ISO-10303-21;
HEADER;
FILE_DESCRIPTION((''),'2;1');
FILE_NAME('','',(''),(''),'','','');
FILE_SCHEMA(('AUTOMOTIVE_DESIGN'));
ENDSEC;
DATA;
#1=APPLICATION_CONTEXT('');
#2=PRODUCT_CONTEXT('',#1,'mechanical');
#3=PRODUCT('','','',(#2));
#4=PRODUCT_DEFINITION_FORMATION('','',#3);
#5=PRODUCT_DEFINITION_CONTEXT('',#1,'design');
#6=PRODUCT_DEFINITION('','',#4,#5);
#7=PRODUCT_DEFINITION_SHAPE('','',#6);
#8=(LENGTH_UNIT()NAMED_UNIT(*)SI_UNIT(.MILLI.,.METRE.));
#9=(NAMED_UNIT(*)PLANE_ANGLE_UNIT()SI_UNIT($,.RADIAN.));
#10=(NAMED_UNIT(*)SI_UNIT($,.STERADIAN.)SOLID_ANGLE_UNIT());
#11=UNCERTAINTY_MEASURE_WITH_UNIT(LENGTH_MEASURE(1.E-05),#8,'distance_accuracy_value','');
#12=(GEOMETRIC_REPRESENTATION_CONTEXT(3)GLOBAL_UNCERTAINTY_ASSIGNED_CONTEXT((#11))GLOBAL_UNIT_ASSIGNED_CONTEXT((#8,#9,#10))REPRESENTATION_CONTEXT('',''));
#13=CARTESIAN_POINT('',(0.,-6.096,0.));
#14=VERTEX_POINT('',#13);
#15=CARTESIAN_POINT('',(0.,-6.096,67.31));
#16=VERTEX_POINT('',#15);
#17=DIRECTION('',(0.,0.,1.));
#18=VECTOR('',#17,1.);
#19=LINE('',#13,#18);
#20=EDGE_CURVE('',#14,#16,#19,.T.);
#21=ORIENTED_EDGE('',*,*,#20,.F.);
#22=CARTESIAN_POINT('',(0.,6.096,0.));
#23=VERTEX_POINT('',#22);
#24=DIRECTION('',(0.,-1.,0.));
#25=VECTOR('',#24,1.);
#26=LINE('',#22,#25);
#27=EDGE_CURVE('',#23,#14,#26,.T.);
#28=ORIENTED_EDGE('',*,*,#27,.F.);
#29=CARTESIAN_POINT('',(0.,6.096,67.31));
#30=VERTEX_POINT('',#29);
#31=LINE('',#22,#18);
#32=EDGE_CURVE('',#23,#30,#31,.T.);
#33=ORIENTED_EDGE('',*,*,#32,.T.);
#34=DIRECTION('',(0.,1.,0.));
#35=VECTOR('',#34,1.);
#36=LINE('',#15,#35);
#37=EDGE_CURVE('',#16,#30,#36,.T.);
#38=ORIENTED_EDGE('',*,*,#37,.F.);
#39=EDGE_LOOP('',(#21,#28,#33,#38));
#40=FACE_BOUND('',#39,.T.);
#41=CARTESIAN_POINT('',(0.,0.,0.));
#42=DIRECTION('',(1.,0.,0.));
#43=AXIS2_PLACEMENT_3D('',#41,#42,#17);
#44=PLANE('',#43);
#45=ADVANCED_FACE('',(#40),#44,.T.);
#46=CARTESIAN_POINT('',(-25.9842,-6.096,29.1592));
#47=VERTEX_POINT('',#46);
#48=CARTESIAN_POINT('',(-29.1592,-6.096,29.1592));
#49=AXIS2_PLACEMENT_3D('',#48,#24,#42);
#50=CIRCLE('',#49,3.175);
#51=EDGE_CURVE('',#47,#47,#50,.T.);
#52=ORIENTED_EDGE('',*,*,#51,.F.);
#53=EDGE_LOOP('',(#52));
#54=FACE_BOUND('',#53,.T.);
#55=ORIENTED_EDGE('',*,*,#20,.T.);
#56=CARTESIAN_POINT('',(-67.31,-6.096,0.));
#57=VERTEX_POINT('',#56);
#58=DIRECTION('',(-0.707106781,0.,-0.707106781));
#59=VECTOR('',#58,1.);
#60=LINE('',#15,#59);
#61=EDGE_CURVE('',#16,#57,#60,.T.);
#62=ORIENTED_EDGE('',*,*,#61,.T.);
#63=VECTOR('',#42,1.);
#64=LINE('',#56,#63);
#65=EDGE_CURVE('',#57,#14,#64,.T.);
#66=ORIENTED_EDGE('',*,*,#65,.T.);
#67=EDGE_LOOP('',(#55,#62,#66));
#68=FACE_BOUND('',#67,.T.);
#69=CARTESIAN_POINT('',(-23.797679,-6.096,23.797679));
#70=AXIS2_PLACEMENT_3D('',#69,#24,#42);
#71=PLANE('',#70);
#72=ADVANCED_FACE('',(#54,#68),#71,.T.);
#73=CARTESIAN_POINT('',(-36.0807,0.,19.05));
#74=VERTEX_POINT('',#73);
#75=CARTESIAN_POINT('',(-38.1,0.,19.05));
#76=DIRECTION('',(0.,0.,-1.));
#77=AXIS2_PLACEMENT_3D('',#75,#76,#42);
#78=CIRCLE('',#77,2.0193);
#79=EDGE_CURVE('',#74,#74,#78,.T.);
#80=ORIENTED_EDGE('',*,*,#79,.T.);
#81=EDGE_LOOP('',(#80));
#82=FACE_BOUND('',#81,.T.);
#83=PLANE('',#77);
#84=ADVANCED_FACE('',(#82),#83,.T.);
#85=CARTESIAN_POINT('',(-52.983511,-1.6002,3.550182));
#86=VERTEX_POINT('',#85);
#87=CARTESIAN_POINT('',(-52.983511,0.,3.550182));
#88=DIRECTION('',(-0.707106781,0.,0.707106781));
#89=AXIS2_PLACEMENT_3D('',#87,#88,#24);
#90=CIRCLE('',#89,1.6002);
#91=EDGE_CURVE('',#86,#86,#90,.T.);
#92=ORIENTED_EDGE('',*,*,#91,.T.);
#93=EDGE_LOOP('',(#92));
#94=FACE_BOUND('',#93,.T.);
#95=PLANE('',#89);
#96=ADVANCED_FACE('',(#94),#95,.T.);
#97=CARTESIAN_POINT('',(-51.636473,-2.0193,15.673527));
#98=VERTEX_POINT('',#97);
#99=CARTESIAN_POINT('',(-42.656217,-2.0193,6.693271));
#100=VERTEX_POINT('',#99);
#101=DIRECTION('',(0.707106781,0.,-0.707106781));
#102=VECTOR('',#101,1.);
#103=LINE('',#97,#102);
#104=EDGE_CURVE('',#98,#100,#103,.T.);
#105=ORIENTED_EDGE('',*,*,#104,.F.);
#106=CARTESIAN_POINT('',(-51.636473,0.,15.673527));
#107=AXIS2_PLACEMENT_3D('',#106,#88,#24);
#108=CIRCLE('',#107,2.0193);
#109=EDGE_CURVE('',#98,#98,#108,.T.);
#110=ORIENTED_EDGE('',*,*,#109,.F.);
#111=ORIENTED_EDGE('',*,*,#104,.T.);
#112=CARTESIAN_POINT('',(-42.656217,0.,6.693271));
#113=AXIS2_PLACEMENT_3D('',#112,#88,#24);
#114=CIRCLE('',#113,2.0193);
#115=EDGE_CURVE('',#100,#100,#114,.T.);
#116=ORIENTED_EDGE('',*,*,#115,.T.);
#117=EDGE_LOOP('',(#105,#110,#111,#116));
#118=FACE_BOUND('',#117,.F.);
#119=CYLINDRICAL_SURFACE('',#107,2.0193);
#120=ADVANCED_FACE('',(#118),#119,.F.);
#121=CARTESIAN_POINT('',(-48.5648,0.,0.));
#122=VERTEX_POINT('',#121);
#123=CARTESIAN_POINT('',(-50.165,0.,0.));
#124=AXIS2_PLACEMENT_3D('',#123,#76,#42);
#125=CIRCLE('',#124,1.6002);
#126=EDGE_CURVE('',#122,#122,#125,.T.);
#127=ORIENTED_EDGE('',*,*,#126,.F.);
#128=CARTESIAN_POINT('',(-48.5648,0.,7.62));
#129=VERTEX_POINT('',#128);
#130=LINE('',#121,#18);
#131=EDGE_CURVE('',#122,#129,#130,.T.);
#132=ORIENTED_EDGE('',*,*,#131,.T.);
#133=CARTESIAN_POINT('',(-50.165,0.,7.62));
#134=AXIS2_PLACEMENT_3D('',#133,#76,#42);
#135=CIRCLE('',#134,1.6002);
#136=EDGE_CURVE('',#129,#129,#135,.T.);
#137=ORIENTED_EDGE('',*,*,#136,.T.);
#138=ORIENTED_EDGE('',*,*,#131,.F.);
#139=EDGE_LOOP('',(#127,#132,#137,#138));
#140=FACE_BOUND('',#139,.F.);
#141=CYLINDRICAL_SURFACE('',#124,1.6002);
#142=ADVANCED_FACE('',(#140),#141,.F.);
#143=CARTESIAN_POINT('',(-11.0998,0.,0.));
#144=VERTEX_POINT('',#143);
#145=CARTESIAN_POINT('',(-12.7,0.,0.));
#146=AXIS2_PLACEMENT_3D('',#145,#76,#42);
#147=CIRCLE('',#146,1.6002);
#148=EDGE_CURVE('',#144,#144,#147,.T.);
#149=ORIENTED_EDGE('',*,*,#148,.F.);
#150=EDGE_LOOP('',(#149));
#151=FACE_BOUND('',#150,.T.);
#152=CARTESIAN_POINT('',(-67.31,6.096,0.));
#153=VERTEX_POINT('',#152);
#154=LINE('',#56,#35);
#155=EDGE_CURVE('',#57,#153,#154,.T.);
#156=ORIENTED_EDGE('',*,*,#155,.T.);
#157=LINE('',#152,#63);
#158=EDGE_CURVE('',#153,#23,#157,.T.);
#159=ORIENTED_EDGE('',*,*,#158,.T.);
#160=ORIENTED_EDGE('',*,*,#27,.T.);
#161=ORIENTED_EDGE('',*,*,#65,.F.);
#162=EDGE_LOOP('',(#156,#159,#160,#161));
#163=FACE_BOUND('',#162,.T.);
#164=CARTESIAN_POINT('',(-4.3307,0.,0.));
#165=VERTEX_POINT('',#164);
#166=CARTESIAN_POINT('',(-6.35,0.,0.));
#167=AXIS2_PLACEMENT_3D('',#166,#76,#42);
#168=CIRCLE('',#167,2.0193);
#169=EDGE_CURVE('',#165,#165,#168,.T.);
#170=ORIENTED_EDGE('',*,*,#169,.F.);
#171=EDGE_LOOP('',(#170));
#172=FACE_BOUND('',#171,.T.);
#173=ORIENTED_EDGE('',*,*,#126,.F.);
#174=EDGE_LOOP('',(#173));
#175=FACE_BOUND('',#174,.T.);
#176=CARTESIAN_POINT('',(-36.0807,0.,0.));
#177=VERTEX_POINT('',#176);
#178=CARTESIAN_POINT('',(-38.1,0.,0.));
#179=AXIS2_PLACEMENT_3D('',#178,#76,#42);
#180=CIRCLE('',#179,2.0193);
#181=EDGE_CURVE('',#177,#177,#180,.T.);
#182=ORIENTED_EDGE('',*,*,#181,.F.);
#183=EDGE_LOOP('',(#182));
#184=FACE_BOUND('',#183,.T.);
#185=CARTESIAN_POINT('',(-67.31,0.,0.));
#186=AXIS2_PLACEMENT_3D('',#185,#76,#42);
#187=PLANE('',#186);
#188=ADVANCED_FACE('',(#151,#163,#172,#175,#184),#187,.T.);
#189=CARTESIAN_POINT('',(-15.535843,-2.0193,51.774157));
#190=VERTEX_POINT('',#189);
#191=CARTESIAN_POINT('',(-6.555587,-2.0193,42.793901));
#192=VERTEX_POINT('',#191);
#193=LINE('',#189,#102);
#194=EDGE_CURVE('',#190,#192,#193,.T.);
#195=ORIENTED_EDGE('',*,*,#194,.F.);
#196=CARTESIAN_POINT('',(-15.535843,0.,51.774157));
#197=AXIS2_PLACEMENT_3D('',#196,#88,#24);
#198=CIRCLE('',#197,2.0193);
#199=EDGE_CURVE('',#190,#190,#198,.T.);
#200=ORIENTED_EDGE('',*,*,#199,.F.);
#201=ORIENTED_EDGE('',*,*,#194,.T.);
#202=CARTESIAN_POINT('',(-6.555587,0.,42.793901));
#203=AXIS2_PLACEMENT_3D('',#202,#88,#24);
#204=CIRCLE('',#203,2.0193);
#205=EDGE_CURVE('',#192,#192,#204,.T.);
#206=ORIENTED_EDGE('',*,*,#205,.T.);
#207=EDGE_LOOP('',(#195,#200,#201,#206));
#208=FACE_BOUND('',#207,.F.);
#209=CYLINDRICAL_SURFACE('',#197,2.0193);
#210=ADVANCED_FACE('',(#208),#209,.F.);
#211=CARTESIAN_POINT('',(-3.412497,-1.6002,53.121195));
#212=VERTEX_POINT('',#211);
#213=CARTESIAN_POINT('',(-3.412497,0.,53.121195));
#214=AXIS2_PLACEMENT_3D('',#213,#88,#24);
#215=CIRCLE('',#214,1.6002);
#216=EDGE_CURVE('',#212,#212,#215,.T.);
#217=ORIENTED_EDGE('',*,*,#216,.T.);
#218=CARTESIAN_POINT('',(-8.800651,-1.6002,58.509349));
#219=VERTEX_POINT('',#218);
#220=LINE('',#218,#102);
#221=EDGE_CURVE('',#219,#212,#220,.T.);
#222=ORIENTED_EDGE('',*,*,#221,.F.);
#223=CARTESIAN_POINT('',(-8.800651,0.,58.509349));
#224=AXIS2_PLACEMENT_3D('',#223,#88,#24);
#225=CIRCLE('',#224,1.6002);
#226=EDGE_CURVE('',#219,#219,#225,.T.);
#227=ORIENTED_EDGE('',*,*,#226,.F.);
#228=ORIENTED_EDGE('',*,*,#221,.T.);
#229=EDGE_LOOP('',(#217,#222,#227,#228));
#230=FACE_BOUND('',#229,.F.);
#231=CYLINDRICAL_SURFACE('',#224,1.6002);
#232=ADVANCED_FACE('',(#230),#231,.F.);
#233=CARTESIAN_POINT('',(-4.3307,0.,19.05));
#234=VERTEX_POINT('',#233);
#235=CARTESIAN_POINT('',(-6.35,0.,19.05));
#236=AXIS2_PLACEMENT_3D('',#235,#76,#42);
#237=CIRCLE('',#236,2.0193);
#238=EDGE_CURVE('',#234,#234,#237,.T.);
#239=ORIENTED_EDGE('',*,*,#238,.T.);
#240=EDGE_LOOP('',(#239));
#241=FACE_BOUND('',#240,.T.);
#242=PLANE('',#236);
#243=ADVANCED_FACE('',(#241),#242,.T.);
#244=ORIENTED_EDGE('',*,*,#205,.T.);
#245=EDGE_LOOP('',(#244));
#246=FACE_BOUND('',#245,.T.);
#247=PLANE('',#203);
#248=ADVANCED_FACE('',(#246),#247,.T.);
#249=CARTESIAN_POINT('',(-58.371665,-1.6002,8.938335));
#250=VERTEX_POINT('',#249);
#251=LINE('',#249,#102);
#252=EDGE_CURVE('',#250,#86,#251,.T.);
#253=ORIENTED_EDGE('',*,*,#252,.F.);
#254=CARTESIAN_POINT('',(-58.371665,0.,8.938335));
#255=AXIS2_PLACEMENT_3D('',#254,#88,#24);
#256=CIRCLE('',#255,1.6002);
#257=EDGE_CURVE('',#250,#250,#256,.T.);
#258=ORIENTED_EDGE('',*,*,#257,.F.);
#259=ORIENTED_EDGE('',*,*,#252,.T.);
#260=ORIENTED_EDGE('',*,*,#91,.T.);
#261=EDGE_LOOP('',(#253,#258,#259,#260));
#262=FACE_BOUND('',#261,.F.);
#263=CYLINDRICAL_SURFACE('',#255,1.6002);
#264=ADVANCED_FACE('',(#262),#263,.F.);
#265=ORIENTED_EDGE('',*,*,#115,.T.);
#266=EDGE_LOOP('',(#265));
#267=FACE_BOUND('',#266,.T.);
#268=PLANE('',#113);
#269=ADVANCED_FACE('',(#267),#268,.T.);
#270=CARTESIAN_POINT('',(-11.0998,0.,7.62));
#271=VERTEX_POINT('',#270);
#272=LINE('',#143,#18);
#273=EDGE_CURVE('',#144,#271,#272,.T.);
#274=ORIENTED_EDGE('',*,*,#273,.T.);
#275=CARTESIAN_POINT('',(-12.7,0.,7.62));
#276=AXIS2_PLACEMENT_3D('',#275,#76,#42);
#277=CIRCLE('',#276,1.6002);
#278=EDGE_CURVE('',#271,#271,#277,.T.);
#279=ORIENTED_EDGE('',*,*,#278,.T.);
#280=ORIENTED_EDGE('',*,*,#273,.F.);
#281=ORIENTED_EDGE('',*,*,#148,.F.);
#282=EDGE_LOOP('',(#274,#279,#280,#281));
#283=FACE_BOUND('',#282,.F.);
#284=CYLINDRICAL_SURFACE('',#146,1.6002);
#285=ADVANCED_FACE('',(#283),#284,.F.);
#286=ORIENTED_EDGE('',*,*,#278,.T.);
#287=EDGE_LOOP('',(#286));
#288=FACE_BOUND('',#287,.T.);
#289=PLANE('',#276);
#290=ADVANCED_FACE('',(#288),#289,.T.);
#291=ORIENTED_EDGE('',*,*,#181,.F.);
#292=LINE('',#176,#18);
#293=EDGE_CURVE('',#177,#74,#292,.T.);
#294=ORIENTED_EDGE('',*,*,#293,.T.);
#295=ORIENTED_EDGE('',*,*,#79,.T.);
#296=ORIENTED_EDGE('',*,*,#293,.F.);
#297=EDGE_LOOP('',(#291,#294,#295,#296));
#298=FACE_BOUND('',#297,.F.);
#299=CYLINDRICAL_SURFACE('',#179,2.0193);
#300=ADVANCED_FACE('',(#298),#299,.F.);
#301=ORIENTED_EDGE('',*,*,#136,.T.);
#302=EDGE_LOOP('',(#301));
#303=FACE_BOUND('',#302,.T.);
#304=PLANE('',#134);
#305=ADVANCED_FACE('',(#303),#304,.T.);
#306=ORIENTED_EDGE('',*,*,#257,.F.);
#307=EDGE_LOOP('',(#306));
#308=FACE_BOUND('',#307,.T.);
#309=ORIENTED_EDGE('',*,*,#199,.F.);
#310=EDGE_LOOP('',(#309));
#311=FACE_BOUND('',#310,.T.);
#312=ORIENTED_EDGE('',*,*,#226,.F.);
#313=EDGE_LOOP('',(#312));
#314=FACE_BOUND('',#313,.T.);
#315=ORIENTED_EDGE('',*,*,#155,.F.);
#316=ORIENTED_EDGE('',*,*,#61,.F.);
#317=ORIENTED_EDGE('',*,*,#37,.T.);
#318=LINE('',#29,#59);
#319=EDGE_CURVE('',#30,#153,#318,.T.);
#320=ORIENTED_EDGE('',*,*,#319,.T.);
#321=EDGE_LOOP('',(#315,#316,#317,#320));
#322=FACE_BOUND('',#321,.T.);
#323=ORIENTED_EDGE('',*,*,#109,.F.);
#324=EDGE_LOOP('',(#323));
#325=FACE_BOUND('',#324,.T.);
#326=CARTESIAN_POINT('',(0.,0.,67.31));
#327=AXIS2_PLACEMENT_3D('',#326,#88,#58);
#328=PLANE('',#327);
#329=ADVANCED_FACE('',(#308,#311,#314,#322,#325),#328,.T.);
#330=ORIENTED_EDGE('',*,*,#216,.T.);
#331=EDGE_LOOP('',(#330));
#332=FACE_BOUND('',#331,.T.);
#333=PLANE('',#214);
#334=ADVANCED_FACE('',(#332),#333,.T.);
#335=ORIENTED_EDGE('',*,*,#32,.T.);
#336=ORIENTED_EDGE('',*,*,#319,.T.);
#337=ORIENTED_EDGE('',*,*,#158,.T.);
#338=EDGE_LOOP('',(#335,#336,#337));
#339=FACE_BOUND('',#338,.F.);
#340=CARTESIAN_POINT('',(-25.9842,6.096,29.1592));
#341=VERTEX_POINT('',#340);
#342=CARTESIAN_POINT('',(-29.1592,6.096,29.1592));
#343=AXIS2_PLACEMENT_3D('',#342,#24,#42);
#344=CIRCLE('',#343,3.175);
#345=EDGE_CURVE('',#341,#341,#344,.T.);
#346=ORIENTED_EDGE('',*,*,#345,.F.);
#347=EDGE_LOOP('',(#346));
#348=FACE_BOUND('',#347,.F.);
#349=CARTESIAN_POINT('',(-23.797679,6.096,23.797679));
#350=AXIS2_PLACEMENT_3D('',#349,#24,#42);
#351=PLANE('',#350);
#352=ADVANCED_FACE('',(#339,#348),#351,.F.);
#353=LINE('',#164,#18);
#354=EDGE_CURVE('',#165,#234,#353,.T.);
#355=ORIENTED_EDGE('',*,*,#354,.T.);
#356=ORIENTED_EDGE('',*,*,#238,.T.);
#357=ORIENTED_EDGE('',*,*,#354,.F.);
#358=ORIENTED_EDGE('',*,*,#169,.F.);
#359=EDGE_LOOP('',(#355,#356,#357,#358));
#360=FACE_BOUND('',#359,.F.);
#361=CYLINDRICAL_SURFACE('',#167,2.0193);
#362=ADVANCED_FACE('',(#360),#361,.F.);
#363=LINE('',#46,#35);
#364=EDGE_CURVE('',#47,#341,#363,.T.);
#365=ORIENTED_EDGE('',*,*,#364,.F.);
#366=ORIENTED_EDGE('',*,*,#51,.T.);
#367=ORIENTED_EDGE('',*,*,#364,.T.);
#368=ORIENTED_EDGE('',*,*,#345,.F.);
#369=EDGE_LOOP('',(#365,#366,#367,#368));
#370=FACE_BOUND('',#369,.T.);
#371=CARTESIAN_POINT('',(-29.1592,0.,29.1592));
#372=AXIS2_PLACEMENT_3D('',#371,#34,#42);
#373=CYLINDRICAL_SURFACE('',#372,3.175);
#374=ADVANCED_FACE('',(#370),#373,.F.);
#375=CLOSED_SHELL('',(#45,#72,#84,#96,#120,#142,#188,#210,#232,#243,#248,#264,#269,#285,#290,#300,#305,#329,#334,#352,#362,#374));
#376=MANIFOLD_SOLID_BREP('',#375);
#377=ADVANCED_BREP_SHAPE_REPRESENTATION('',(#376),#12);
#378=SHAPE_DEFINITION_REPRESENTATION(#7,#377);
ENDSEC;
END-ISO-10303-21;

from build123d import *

# Parameters (mm, degrees)
F0_R     = 3.175
F1_DEPTH = 6.096
F2_R     = 1.6002
F3_DEPTH = 7.62
F4_R     = 2.0193
F5_DEPTH = 12.7
F6_R     = 2.0193
F7_DEPTH = 19.05
F8_R     = 1.6002
F9_DEPTH = 7.62


with BuildPart() as f1:
    # F0 (on Front) → F1 (new body, symmetric)
    with BuildSketch(Plane.XZ):
        Polygon((-67.31, 0), (0, 0), (0, 67.31), align=None)
        with Locations((-29.1592, 29.1592)):
            Circle(F0_R, mode=Mode.SUBTRACT)
    extrude(amount=F1_DEPTH, both=True)

    # F2 (on face) → F3 (cut)
    with BuildSketch(Plane(origin=(-33.655, 0, 33.655), x_dir=(0, -1, 0), z_dir=(-0.7071067812, 0, 0.7071067812))):
        with Locations((0, 35.1493574417)):
            Circle(F2_R)
        with Locations((0, -34.9546425583)):
            Circle(F2_R)
    extrude(amount=-F3_DEPTH, mode=Mode.SUBTRACT)

    # F4 (on face) → F5 (cut)
    with BuildSketch(Plane(origin=(-33.655, 0, 33.655), x_dir=(0, -1, 0), z_dir=(-0.7071067812, 0, 0.7071067812))):
        with Locations((0, 25.6243574417)):
            Circle(F4_R)
        with Locations((0, -25.4296425583)):
            Circle(F4_R)
    extrude(amount=-F5_DEPTH, mode=Mode.SUBTRACT)

    # F6 (on face) → F7 (cut)
    with BuildSketch(Plane(origin=(0, 0, 0), x_dir=(1, 0, 0), z_dir=(0, 0, -1))):
        with Locations((-6.35, 0)):
            Circle(F6_R)
        with Locations((-38.1, 0)):
            Circle(F6_R)
    extrude(amount=-F7_DEPTH, mode=Mode.SUBTRACT)

    # F8 (on face) → F9 (cut)
    with BuildSketch(Plane(origin=(0, 0, 0), x_dir=(1, 0, 0), z_dir=(0, 0, -1))):
        with Locations((-12.7, 0)):
            Circle(F8_R)
        with Locations((-50.165, 0)):
            Circle(F8_R)
    extrude(amount=-F9_DEPTH, mode=Mode.SUBTRACT)


solid = f1.part
